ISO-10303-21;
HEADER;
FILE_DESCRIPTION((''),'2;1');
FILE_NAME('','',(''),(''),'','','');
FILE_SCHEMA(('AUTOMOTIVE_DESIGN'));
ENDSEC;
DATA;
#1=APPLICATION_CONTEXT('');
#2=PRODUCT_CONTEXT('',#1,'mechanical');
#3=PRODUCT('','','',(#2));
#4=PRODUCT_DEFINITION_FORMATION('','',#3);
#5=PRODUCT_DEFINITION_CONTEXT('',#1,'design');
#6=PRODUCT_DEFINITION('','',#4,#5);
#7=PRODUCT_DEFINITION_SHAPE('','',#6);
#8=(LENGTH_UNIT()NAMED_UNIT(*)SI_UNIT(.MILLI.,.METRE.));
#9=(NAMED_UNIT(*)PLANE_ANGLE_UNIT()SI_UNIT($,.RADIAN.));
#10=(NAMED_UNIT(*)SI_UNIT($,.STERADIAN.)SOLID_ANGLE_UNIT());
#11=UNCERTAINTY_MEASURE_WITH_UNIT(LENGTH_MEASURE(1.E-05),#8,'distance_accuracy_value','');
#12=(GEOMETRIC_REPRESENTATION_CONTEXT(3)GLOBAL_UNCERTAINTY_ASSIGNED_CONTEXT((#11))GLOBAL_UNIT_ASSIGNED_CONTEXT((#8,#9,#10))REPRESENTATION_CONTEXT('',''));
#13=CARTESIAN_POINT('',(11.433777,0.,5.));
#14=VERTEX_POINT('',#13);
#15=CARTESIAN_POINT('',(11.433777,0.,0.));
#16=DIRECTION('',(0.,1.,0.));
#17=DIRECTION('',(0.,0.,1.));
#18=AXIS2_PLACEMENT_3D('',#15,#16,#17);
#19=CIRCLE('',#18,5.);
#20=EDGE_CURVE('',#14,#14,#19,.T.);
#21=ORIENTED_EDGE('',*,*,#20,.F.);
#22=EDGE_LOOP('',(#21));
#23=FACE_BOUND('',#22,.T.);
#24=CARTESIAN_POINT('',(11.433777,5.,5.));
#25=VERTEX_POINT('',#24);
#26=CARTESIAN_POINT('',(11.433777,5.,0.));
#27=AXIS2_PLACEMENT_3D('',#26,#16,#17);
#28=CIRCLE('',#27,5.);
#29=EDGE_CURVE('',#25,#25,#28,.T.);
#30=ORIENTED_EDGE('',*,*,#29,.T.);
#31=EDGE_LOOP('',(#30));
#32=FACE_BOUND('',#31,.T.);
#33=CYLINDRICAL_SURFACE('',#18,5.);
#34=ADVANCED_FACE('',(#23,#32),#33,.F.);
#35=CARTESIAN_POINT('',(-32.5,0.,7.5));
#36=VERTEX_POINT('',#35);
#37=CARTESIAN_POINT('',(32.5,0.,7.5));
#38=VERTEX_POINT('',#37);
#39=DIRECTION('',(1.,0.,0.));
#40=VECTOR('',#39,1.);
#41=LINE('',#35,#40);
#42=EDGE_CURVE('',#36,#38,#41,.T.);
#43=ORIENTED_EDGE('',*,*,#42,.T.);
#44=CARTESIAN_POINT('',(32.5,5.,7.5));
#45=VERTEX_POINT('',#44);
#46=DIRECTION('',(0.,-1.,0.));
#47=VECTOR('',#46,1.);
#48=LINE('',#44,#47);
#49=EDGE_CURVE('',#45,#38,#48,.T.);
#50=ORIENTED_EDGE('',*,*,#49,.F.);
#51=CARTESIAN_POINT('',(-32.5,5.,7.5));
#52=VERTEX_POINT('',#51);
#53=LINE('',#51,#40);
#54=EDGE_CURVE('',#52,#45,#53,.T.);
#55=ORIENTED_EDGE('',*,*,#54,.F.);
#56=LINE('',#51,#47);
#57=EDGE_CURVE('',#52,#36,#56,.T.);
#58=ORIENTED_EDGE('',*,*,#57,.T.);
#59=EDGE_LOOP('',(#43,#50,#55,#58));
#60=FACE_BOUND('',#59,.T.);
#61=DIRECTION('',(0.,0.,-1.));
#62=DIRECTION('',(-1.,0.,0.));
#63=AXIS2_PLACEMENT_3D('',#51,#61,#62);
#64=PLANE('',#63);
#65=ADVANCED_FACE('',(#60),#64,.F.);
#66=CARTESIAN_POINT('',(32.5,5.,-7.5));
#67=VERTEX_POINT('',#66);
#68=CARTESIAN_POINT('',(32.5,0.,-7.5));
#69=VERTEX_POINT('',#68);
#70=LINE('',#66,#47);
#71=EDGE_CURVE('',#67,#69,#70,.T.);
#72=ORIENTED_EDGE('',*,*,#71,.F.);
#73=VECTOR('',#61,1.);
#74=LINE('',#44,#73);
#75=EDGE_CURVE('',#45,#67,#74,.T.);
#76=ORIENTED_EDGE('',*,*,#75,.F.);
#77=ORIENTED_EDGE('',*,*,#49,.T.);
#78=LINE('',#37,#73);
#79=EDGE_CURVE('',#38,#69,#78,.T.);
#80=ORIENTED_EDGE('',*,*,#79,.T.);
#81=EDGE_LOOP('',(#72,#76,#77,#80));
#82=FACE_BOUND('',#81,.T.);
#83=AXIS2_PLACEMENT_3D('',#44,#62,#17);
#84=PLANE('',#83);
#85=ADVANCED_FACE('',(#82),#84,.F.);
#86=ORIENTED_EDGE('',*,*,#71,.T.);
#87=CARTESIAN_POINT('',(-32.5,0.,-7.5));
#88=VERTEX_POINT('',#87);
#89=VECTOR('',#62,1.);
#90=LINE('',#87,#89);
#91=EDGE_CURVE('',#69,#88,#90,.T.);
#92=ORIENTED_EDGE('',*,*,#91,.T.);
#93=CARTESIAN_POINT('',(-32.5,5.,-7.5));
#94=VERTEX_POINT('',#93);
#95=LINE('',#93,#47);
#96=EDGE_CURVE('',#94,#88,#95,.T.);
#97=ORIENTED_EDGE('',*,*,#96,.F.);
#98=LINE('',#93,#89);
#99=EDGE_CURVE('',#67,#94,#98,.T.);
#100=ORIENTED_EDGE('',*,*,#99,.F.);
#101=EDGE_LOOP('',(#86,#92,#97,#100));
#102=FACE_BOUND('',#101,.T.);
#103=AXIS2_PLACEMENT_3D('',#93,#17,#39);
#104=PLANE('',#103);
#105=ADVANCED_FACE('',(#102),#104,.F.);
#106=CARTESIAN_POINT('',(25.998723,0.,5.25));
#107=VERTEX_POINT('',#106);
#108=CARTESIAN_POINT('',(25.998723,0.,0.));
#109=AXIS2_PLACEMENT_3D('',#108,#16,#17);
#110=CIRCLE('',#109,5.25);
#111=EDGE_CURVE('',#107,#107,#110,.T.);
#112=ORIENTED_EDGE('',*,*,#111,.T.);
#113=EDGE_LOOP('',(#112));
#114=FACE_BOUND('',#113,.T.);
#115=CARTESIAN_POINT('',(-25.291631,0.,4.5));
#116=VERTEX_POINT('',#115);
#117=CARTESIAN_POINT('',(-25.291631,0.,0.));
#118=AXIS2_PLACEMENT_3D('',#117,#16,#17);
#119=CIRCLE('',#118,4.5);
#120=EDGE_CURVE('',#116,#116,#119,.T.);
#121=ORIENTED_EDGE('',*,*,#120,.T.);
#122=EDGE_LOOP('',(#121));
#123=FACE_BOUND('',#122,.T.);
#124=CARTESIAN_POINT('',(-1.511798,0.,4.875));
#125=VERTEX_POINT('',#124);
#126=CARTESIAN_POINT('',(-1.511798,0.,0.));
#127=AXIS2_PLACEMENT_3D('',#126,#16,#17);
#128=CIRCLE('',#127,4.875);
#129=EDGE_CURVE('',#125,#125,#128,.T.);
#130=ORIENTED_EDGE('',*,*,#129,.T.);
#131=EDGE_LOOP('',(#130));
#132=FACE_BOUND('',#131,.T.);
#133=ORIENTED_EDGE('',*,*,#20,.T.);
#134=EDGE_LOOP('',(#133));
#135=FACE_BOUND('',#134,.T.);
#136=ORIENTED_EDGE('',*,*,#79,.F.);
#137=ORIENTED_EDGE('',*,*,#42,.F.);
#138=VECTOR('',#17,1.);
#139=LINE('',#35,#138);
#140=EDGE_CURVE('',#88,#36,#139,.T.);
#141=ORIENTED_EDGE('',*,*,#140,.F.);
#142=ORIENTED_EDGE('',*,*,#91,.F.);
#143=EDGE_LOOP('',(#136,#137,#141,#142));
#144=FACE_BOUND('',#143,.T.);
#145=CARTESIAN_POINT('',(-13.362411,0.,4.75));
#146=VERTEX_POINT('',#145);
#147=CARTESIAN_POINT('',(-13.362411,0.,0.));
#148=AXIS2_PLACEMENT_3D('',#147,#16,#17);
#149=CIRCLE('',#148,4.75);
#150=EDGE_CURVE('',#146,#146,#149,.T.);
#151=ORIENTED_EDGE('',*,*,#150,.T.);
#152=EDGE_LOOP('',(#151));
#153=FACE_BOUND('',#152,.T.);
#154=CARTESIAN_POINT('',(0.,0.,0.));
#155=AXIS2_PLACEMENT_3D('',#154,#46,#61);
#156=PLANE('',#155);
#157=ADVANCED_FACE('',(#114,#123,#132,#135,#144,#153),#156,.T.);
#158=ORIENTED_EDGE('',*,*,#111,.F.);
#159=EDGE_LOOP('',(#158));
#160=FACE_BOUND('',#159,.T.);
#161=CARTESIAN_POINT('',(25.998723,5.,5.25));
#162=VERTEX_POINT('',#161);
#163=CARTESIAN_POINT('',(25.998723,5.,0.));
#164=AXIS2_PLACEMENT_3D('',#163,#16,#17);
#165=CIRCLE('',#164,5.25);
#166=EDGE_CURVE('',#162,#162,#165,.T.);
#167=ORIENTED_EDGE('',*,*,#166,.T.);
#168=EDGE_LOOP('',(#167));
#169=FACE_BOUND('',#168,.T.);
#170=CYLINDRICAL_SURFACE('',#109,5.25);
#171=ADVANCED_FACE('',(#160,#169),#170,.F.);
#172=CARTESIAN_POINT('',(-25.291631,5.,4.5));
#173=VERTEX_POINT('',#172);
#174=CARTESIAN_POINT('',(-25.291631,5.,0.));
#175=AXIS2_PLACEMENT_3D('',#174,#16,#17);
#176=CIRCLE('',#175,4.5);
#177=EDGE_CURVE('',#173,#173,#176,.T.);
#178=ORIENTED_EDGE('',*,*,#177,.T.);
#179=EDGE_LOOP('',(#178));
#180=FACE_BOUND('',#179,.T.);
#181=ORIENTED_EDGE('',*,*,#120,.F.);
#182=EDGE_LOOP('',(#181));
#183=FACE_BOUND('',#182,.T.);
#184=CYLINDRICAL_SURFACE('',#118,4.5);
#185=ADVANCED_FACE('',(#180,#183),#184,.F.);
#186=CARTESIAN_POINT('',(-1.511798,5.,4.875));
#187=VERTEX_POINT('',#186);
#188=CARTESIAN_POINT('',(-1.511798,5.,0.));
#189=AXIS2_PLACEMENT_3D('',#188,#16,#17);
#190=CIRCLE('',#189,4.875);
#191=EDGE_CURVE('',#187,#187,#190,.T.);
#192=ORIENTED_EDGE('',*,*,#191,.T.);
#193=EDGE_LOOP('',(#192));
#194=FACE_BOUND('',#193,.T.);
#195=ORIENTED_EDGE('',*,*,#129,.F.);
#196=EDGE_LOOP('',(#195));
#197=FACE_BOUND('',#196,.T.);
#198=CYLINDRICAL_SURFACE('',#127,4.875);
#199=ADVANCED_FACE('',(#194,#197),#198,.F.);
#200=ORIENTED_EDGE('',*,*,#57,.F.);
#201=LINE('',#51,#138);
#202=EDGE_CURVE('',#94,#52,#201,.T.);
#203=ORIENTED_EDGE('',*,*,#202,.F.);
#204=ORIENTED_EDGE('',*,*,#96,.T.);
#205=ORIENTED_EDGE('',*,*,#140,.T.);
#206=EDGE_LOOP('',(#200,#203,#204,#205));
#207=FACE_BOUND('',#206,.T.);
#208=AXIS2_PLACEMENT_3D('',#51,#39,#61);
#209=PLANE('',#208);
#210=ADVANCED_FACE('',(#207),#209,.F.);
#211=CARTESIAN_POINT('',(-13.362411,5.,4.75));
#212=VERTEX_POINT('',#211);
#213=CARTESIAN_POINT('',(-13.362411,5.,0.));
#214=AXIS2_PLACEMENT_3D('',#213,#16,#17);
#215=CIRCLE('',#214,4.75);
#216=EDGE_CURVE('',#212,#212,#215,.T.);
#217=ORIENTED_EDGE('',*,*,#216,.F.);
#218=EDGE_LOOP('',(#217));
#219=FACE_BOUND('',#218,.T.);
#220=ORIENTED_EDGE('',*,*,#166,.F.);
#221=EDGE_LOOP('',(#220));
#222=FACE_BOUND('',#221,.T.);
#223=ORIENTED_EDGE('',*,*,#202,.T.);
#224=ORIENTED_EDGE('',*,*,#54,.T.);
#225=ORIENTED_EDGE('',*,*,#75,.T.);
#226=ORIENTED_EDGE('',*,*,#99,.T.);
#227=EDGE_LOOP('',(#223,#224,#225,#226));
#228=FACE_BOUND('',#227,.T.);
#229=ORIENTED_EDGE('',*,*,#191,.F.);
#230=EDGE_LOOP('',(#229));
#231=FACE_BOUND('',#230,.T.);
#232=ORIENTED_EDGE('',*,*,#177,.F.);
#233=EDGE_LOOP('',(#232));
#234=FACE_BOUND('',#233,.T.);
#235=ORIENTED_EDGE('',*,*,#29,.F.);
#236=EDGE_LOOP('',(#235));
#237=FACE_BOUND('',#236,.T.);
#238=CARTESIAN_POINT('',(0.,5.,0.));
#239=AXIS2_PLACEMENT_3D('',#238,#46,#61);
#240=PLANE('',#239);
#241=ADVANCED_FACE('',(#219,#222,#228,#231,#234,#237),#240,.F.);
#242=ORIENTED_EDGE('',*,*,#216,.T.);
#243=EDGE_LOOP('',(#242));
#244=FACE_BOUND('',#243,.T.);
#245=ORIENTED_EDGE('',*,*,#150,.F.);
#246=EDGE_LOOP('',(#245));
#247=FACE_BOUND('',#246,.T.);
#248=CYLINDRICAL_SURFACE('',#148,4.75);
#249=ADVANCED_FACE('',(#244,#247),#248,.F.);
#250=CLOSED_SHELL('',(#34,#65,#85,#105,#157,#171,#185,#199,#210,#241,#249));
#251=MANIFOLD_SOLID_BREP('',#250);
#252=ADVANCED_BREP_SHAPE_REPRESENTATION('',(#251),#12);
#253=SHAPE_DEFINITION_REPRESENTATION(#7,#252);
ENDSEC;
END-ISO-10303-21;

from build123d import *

# Parameters (mm, degrees)
SKETCH1_W           = 65
SKETCH1_H           = 15
BOSS_EXTRUDE1_DEPTH = 5
SKETCH2_R           = 4.75
SKETCH2_R_2         = 5
SKETCH2_R_3         = 5.25
SKETCH2_R_4         = 4.5
SKETCH2_R_5         = 4.875
CUT_EXTRUDE1_DEPTH  = 5


with BuildPart() as part:
    # Sketch1 → Boss-Extrude1 (new body)
    with BuildSketch(Plane(origin=(0, 0, 0), x_dir=(1, 0, 0), z_dir=(0, 1, 0))):
        Rectangle(SKETCH1_W, SKETCH1_H)
    extrude(amount=BOSS_EXTRUDE1_DEPTH)

    # Sketch2 → Cut-Extrude1 (cut)
    with BuildSketch(Plane(origin=(0, 5, 0), x_dir=(1, 0, 0), z_dir=(0, 1, 0))):
        with Locations(Location((-13.362411416, 0, 0), (0, 0, 270))):
            Circle(SKETCH2_R)
        with Locations(Location((11.433777192, 0, 0), (0, 0, 270))):
            Circle(SKETCH2_R_2)
        with Locations(Location((25.998722896, 0, 0), (0, 0, 270))):
            Circle(SKETCH2_R_3)
        with Locations(Location((-25.291630681, 0, 0), (0, 0, 270))):
            Circle(SKETCH2_R_4)
        with Locations(Location((-1.511798245, 0, 0), (0, 0, 270))):
            Circle(SKETCH2_R_5)
    extrude(amount=-CUT_EXTRUDE1_DEPTH, mode=Mode.SUBTRACT)


solid = part.part
